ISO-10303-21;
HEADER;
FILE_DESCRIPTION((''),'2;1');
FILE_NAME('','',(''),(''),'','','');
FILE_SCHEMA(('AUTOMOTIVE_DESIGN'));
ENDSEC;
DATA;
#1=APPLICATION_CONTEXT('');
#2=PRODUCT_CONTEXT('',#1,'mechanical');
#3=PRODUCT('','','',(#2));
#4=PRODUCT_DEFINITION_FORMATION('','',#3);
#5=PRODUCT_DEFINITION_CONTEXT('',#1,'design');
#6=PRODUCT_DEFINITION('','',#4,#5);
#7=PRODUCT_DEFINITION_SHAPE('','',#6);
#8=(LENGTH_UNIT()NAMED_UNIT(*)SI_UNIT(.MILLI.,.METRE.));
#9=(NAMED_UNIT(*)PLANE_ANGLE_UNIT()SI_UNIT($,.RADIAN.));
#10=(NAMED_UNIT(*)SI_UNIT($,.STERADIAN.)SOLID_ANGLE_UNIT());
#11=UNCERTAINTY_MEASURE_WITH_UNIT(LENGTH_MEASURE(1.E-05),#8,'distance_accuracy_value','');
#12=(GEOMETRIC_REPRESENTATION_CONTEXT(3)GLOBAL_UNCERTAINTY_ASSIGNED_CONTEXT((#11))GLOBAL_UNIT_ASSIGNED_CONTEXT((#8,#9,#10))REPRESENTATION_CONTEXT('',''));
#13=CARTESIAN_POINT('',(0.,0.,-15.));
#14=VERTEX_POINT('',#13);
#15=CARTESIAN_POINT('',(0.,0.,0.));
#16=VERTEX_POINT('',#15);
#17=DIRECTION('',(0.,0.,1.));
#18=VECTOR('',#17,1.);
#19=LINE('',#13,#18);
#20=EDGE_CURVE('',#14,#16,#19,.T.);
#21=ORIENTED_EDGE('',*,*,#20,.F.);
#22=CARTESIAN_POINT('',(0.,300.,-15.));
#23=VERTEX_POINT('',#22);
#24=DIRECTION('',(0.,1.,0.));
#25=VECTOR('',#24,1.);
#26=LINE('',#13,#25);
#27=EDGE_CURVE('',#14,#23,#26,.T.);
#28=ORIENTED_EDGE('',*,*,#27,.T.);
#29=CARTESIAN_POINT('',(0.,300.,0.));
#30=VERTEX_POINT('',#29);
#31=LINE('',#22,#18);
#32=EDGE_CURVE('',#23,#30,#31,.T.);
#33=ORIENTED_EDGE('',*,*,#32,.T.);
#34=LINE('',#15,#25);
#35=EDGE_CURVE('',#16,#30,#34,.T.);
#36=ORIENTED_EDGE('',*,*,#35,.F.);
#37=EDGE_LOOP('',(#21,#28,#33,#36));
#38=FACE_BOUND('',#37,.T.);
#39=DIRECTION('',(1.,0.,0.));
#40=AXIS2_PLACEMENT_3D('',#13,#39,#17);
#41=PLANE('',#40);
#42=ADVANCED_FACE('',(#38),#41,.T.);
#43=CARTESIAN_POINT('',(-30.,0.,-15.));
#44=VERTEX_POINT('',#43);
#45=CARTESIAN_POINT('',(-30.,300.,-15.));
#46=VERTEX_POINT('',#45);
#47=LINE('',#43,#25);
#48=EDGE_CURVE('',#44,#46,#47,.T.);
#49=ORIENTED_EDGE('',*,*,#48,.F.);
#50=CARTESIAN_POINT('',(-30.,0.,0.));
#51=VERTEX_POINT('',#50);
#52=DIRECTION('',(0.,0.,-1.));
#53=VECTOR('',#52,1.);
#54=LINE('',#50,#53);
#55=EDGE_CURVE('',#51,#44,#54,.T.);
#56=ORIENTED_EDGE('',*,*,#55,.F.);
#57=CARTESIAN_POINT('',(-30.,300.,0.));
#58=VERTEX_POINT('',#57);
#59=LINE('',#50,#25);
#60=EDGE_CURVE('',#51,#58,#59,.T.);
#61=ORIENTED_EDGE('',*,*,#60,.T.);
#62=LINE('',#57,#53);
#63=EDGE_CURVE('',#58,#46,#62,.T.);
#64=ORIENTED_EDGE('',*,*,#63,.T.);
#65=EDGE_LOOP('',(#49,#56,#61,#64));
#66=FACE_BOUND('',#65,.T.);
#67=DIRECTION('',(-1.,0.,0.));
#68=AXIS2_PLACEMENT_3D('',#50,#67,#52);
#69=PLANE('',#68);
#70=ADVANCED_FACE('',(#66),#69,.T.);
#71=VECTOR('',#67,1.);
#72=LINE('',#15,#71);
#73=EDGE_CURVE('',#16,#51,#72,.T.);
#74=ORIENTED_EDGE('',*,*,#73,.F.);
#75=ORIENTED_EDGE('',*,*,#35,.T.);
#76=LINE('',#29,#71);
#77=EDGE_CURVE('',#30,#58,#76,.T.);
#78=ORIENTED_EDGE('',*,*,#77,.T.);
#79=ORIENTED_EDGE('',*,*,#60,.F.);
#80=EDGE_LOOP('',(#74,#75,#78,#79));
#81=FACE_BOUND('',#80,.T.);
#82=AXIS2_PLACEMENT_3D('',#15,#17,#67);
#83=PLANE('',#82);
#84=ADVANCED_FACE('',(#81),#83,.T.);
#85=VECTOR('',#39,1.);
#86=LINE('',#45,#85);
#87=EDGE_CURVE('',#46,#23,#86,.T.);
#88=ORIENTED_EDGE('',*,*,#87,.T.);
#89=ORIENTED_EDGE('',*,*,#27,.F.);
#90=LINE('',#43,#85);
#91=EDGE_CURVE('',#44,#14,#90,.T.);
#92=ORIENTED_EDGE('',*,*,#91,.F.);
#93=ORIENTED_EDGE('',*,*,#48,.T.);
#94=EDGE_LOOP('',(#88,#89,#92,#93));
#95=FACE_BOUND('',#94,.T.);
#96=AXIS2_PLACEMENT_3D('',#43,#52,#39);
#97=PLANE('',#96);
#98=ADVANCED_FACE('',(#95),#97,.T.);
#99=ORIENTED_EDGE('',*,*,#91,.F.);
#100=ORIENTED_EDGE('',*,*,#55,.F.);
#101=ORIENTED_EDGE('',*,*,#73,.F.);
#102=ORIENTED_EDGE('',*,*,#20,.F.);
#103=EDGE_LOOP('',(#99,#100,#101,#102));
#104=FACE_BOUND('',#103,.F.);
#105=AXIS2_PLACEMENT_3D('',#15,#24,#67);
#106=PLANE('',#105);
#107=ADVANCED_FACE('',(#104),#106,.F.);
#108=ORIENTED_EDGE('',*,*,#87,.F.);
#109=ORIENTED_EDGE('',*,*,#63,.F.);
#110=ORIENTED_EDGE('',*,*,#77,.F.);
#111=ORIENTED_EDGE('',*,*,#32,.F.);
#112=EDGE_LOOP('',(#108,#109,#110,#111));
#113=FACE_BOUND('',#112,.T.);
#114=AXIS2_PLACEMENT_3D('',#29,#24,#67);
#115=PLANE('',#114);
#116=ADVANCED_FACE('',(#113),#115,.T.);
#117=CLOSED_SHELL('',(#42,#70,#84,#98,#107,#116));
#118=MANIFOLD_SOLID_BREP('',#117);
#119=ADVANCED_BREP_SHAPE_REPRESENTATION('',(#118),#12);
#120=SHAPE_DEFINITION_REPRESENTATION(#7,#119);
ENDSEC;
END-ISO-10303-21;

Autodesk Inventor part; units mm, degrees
ref_plane "YZ Plane" through (0, 0, 0) normal (1, 0, 0) x (0, 1, 0)
ref_plane "XZ Plane" through (0, 0, 0) normal (0, 1, 0) x (-1, 0, 0)
ref_plane "XY Plane" through (0, 0, 0) normal (0, 0, 1) x (1, 0, 0)
sketch "スケッチ1" plane through (0, 0, 0) normal (0, 1, 0) x (-1, 0, 0)
  point P0 (0, 0)
sketch "スケッチ2" plane through (0, 0, 0) normal (0, 1, 0) x (-1, 0, 0)
  line L0 (0, 0) -> (30, 0)
  line L1 (30, 0) -> (30, -15)
  line L2 (30, -15) -> (0, -15)
  line L3 (0, -15) -> (0, 0)
  dimension "d0" = 30
  dimension "d1" = 15
extrude "押し出し1" add sketch "スケッチ2" along normal blind 300
properties part number "NHK_t0_6"
